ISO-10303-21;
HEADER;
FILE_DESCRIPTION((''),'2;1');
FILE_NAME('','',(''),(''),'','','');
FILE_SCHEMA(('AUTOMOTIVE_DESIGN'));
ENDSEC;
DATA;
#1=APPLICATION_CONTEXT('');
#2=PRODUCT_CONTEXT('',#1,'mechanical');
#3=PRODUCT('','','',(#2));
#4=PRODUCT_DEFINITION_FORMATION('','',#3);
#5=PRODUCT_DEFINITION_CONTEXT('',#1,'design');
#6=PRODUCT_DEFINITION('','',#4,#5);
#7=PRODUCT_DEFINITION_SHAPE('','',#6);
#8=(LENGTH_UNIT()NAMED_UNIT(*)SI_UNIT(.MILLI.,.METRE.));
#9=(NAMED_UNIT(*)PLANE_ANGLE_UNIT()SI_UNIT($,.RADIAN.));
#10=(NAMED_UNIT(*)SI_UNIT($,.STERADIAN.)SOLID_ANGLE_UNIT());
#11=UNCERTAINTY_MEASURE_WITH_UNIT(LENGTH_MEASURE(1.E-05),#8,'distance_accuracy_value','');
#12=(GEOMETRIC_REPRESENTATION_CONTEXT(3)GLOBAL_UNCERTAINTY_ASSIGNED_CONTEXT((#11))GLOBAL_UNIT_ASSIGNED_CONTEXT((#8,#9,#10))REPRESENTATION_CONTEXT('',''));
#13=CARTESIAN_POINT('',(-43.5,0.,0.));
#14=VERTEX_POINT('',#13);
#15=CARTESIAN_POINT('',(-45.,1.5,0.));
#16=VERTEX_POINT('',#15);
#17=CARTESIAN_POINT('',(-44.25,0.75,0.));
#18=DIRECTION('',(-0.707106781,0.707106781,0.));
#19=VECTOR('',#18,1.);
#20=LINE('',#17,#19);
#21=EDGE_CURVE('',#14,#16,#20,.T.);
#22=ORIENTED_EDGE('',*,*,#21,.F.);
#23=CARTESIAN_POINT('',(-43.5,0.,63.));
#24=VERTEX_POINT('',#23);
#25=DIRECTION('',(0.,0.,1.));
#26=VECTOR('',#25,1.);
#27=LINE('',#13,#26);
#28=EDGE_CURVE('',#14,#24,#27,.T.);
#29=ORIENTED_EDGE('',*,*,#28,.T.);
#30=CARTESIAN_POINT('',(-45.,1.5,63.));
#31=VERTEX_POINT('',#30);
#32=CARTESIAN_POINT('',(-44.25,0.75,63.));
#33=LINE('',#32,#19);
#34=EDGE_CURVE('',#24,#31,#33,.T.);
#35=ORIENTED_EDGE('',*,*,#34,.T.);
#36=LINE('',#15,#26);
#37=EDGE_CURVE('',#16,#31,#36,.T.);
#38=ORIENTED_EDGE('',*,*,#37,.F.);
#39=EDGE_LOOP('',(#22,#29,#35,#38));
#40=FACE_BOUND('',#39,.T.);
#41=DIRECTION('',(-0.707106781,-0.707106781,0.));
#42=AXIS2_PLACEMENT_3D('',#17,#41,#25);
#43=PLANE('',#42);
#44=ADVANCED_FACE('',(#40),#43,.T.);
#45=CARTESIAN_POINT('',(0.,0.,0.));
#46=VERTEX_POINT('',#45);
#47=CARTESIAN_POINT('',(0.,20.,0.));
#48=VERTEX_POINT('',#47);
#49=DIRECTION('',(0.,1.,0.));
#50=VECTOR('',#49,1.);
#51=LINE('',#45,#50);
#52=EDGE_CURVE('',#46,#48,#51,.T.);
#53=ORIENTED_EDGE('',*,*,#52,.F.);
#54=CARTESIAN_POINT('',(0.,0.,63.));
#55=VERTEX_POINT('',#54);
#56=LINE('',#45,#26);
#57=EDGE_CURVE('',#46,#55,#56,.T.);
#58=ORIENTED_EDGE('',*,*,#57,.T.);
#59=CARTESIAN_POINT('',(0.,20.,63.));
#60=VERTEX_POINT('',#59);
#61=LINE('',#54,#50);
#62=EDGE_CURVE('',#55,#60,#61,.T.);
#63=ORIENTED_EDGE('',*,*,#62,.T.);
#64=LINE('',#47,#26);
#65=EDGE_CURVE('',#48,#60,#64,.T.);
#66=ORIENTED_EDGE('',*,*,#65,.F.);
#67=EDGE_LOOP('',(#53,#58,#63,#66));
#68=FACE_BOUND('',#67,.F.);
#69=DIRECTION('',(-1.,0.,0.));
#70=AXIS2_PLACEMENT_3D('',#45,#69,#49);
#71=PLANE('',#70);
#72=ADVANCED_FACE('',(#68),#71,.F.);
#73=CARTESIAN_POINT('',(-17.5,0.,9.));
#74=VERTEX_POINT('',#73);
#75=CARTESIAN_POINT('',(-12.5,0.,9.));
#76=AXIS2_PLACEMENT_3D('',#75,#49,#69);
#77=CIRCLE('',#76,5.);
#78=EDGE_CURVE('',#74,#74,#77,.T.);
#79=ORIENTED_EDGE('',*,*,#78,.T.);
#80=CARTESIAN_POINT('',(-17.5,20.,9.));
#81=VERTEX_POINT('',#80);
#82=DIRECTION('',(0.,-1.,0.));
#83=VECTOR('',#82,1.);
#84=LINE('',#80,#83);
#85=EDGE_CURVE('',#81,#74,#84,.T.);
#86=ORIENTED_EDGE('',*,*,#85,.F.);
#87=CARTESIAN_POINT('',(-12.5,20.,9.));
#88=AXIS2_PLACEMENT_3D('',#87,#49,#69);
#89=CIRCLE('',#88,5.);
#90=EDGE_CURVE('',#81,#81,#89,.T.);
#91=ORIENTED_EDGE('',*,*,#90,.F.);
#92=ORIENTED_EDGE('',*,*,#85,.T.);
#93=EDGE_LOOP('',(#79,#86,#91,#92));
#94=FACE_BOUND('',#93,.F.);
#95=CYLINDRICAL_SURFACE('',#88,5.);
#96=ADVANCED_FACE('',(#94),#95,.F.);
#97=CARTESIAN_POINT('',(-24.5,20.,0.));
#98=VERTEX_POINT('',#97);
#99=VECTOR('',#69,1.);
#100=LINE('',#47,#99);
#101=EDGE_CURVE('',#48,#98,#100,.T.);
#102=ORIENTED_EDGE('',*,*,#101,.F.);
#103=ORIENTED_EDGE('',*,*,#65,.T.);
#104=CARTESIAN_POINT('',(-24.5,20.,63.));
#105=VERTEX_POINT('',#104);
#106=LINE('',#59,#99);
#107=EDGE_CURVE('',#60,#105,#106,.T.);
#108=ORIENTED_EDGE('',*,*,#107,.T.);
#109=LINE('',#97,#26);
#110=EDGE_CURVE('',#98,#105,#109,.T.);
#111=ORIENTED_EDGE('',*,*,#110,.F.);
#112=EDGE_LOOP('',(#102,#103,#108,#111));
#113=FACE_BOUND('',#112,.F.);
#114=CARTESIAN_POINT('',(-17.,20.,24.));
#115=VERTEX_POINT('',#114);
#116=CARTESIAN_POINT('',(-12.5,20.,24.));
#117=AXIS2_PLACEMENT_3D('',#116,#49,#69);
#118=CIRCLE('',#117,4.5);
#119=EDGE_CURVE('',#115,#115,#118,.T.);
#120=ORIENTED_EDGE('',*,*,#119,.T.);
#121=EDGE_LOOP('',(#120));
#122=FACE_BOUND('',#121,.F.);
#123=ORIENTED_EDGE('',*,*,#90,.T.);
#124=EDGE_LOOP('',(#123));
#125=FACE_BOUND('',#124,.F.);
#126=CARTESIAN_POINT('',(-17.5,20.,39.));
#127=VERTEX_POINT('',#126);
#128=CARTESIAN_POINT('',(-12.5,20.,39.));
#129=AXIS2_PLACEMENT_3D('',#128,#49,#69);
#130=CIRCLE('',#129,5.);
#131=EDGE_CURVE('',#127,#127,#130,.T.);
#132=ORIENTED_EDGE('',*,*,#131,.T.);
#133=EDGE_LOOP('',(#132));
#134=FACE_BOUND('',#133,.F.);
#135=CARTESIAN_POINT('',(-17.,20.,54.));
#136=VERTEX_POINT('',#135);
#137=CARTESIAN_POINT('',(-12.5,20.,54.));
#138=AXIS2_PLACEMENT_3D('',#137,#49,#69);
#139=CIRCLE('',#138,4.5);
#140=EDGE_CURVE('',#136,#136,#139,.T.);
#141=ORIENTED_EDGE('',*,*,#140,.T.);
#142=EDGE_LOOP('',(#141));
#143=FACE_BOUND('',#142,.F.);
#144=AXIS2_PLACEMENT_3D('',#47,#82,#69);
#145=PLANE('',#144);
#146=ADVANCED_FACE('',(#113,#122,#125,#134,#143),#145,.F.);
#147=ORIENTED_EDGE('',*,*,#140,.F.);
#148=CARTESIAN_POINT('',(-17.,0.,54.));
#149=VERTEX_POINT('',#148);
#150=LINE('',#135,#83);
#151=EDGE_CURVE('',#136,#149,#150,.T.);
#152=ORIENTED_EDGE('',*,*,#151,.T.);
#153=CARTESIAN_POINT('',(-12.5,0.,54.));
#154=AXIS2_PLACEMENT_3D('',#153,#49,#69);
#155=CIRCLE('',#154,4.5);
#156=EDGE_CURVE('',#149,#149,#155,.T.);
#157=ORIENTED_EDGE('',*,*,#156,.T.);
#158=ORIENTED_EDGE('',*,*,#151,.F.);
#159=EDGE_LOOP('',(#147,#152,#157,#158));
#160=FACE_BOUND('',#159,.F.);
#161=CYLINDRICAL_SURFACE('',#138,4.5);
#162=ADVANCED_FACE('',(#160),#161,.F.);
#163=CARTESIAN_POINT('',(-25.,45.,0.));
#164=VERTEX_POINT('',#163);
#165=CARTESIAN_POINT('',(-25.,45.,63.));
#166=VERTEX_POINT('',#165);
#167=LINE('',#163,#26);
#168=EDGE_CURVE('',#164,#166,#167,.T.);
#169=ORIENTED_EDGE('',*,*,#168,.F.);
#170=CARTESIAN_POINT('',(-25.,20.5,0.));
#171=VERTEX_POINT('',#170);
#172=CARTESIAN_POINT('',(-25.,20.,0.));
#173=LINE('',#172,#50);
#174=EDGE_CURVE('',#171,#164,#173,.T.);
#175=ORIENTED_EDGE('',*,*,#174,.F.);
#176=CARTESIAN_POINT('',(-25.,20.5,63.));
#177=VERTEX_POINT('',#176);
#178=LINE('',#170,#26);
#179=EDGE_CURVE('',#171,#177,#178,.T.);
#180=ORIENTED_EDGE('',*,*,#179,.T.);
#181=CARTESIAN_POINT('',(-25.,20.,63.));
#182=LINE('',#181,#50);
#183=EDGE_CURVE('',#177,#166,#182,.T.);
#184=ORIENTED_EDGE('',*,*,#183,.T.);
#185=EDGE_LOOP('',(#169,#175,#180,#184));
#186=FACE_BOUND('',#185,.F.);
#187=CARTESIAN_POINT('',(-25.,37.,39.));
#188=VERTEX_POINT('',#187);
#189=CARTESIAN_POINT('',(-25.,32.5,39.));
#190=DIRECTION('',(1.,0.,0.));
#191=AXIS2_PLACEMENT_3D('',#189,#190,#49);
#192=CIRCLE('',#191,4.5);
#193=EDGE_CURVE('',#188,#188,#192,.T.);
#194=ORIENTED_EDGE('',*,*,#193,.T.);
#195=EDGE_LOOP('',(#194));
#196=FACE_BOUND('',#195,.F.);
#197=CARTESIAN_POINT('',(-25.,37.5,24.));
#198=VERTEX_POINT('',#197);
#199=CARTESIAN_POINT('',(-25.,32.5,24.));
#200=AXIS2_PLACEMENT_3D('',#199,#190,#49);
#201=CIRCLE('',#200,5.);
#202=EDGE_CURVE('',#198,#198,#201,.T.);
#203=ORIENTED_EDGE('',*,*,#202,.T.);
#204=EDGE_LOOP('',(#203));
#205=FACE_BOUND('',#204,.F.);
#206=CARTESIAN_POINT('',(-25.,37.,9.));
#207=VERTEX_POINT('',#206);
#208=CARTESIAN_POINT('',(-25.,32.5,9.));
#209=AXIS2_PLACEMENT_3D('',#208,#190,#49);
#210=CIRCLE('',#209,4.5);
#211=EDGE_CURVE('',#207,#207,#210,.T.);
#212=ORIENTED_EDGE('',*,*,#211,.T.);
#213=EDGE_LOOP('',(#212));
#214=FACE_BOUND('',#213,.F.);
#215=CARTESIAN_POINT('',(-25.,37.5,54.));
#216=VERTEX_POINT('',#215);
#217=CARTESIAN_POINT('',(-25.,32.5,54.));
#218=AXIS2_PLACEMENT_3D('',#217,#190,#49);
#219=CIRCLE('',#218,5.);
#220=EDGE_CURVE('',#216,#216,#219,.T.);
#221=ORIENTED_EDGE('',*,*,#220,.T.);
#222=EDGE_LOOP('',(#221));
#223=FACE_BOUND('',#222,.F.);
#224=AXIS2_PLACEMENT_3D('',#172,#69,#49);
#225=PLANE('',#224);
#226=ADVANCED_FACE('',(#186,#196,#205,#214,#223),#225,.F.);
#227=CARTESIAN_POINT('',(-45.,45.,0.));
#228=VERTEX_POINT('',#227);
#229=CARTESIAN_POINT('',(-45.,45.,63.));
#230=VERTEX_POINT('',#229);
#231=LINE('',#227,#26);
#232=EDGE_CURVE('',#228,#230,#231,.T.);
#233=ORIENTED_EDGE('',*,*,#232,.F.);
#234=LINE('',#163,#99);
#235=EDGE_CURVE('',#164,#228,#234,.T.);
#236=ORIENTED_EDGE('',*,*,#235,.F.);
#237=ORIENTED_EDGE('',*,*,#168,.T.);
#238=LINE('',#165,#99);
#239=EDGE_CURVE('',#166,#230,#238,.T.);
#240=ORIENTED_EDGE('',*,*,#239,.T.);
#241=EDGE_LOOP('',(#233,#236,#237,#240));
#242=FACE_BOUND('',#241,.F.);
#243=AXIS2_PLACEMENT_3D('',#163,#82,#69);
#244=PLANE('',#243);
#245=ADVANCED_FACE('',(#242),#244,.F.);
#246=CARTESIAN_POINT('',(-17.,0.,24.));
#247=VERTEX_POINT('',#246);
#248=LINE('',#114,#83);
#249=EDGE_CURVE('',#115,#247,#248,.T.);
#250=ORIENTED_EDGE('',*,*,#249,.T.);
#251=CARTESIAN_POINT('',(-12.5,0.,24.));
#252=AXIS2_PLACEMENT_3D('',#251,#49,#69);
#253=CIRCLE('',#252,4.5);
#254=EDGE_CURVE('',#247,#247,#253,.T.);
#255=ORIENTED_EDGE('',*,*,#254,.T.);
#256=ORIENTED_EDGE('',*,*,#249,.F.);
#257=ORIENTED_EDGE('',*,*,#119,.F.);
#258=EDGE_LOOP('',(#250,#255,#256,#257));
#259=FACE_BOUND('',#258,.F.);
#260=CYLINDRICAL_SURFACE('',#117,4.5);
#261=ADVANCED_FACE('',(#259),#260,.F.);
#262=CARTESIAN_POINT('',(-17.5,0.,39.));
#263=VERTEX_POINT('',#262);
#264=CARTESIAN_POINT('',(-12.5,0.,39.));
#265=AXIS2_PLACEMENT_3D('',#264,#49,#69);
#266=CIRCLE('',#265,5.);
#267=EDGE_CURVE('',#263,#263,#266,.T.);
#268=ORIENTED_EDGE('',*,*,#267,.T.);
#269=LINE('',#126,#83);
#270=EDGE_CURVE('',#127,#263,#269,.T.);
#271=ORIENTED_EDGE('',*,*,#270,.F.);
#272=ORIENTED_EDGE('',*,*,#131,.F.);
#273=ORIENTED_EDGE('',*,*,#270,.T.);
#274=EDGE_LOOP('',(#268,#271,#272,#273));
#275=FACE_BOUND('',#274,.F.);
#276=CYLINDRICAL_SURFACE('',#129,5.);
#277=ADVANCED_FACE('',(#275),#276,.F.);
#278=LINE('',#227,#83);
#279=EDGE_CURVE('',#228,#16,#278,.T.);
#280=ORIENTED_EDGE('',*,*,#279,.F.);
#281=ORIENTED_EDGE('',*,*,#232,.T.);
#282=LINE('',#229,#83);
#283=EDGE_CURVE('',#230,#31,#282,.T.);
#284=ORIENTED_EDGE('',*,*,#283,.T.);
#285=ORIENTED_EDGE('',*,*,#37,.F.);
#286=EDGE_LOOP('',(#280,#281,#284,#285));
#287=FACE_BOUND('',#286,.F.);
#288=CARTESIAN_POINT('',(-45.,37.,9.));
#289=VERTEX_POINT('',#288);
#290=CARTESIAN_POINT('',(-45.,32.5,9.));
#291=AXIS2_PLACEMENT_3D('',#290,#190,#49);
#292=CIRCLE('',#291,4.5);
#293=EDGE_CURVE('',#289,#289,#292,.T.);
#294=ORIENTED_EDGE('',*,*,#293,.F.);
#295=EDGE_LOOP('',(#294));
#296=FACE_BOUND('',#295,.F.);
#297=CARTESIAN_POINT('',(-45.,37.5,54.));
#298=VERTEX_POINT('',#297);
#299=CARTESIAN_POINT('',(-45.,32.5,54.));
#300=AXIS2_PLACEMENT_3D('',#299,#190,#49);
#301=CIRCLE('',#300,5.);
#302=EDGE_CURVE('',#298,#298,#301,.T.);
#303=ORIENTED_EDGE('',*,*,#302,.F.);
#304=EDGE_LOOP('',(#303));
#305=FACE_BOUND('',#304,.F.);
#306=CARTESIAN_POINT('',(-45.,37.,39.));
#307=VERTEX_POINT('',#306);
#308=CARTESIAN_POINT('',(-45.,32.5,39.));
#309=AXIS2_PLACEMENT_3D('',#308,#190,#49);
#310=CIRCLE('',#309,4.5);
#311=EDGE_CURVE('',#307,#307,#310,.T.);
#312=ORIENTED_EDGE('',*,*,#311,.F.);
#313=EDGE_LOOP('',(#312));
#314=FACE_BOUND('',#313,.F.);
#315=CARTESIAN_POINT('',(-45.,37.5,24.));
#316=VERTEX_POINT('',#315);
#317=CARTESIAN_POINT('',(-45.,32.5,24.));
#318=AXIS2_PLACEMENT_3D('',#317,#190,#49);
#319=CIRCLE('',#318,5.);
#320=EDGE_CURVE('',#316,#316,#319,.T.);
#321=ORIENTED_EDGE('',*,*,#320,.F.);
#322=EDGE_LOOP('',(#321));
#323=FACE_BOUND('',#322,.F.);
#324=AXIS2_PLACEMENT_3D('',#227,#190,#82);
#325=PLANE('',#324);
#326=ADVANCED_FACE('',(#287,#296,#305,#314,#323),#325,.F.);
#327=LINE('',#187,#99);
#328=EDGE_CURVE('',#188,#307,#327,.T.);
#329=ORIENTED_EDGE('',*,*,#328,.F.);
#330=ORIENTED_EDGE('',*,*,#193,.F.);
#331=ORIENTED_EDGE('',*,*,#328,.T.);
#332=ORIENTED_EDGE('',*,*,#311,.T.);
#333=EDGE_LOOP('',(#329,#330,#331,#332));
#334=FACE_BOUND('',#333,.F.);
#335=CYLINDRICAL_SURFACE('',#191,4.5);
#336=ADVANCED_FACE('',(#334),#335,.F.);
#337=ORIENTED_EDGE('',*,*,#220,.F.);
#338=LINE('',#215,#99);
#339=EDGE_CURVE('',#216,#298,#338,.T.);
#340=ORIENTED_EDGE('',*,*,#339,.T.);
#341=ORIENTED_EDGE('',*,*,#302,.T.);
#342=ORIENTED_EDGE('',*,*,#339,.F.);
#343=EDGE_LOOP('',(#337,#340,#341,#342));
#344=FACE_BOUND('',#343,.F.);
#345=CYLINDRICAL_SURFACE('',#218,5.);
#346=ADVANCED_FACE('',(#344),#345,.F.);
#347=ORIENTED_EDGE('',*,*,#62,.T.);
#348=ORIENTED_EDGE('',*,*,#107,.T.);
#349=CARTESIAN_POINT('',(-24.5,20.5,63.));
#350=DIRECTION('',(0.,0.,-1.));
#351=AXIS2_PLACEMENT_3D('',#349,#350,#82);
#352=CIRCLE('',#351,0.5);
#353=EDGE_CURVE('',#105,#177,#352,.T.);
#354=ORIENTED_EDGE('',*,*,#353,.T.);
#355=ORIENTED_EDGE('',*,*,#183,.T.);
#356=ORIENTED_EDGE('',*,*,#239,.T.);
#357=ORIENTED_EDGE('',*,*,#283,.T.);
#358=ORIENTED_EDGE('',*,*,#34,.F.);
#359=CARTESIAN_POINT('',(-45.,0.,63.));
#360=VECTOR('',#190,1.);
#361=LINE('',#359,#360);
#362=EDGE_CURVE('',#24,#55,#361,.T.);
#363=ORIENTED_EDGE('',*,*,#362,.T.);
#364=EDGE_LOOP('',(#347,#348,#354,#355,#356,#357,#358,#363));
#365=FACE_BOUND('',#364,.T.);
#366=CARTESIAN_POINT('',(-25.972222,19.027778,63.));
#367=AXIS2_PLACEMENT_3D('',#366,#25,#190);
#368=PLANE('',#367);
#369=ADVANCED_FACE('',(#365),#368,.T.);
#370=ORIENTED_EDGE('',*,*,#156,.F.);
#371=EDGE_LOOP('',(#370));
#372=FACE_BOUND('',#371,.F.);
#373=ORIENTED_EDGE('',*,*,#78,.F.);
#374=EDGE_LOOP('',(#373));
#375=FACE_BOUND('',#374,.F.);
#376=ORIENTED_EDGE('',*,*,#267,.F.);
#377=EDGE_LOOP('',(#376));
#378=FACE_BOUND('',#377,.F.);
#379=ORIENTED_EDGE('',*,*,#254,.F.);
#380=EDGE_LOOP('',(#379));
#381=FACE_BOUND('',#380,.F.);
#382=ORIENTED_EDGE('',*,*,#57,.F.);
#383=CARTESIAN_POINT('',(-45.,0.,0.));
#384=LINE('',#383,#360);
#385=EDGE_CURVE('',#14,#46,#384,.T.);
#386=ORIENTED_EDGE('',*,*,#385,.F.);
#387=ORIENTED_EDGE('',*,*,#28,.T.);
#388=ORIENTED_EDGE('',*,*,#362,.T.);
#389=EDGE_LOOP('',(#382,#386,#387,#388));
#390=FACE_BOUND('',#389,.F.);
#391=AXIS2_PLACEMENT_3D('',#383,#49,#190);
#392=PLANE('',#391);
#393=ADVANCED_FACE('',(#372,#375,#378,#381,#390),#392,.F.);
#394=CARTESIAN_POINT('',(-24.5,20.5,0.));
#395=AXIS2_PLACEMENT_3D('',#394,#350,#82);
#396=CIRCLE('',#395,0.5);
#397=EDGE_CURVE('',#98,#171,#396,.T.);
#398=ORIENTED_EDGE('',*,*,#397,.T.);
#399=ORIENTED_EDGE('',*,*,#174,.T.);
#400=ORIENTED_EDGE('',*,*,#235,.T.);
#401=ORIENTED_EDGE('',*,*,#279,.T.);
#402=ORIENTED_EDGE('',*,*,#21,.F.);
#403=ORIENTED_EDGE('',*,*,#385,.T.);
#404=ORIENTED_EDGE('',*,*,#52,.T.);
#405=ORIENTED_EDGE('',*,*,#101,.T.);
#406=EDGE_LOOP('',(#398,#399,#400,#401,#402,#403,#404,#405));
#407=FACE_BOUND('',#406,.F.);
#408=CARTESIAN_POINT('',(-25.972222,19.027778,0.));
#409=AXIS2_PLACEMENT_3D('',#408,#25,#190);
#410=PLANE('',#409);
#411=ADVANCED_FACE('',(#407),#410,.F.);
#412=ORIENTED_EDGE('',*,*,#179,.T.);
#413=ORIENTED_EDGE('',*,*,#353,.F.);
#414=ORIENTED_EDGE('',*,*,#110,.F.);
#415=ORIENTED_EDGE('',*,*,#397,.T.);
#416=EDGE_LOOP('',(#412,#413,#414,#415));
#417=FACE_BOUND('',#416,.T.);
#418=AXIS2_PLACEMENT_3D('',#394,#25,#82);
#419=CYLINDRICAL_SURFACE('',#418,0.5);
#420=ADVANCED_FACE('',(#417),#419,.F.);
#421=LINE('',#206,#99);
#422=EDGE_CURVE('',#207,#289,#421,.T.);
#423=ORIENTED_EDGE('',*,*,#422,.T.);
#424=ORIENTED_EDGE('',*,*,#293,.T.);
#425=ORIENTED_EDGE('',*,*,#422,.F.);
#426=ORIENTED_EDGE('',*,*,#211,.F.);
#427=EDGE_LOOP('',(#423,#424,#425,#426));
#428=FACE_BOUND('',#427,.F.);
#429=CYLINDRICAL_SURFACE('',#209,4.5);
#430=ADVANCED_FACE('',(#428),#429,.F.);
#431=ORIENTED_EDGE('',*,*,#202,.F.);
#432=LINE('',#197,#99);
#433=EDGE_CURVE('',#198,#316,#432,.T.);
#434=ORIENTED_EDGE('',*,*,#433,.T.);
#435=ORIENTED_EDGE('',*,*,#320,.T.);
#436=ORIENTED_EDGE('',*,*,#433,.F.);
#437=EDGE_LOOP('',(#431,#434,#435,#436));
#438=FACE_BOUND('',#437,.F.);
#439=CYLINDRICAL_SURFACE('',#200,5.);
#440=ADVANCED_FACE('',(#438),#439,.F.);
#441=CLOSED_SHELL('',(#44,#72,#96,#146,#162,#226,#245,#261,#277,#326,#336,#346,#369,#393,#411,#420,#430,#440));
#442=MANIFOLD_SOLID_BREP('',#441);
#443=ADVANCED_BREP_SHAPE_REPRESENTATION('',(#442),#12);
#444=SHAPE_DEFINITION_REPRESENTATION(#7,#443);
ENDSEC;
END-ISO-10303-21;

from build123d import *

# Parameters (mm, degrees)
F1_DEPTH = 63
F2_R     = 4.5
F2_R_2   = 5
F3_DEPTH = 25
F4_R     = 4.5
F4_R_2   = 5
F5_DEPTH = 25
F6_R     = 0.5
F7_SIZE  = 1.5


with BuildPart() as f1:
    # F0 (on Top) → F1 (new body)
    with BuildSketch(Plane.XY):
        Polygon((-45, 0), (0, 0), (0, 20), (-25, 20), (-25, 45), (-45, 45), align=None)
    extrude(amount=F1_DEPTH)

    # F2 (on face) → F3 (cut)
    with BuildSketch(Plane.YZ.offset(-25)):
        with Locations((32.5, 39)):
            Circle(F2_R)
        with Locations((32.5, 24)):
            Circle(F2_R_2)
        with Locations((32.5, 9)):
            Circle(F2_R)
        with Locations((32.5, 54)):
            Circle(F2_R_2)
    extrude(amount=-F3_DEPTH, mode=Mode.SUBTRACT)

    # F4 (on face) → F5 (cut)
    with BuildSketch(Plane(origin=(0, 20, 0), x_dir=(-1, 0, 0), z_dir=(0, 1, 0))):
        with Locations((12.5, 54)):
            Circle(F4_R)
        with Locations((12.5, 39)):
            Circle(F4_R_2)
        with Locations((12.5, 24)):
            Circle(F4_R)
        with Locations((12.5, 9)):
            Circle(F4_R_2)
    extrude(amount=-F5_DEPTH, mode=Mode.SUBTRACT)

    # F6
    f6_edges = [f1.edges().sort_by_distance(p)[0] for p in [
        (-25, 20, 31.5),
    ]]
    fillet(f6_edges, radius=F6_R)

    # F7
    f7_edges = [f1.edges().sort_by_distance(p)[0] for p in [
        (-45, 0, 31.5),
    ]]
    chamfer(f7_edges, length=F7_SIZE)


solid = f1.part
